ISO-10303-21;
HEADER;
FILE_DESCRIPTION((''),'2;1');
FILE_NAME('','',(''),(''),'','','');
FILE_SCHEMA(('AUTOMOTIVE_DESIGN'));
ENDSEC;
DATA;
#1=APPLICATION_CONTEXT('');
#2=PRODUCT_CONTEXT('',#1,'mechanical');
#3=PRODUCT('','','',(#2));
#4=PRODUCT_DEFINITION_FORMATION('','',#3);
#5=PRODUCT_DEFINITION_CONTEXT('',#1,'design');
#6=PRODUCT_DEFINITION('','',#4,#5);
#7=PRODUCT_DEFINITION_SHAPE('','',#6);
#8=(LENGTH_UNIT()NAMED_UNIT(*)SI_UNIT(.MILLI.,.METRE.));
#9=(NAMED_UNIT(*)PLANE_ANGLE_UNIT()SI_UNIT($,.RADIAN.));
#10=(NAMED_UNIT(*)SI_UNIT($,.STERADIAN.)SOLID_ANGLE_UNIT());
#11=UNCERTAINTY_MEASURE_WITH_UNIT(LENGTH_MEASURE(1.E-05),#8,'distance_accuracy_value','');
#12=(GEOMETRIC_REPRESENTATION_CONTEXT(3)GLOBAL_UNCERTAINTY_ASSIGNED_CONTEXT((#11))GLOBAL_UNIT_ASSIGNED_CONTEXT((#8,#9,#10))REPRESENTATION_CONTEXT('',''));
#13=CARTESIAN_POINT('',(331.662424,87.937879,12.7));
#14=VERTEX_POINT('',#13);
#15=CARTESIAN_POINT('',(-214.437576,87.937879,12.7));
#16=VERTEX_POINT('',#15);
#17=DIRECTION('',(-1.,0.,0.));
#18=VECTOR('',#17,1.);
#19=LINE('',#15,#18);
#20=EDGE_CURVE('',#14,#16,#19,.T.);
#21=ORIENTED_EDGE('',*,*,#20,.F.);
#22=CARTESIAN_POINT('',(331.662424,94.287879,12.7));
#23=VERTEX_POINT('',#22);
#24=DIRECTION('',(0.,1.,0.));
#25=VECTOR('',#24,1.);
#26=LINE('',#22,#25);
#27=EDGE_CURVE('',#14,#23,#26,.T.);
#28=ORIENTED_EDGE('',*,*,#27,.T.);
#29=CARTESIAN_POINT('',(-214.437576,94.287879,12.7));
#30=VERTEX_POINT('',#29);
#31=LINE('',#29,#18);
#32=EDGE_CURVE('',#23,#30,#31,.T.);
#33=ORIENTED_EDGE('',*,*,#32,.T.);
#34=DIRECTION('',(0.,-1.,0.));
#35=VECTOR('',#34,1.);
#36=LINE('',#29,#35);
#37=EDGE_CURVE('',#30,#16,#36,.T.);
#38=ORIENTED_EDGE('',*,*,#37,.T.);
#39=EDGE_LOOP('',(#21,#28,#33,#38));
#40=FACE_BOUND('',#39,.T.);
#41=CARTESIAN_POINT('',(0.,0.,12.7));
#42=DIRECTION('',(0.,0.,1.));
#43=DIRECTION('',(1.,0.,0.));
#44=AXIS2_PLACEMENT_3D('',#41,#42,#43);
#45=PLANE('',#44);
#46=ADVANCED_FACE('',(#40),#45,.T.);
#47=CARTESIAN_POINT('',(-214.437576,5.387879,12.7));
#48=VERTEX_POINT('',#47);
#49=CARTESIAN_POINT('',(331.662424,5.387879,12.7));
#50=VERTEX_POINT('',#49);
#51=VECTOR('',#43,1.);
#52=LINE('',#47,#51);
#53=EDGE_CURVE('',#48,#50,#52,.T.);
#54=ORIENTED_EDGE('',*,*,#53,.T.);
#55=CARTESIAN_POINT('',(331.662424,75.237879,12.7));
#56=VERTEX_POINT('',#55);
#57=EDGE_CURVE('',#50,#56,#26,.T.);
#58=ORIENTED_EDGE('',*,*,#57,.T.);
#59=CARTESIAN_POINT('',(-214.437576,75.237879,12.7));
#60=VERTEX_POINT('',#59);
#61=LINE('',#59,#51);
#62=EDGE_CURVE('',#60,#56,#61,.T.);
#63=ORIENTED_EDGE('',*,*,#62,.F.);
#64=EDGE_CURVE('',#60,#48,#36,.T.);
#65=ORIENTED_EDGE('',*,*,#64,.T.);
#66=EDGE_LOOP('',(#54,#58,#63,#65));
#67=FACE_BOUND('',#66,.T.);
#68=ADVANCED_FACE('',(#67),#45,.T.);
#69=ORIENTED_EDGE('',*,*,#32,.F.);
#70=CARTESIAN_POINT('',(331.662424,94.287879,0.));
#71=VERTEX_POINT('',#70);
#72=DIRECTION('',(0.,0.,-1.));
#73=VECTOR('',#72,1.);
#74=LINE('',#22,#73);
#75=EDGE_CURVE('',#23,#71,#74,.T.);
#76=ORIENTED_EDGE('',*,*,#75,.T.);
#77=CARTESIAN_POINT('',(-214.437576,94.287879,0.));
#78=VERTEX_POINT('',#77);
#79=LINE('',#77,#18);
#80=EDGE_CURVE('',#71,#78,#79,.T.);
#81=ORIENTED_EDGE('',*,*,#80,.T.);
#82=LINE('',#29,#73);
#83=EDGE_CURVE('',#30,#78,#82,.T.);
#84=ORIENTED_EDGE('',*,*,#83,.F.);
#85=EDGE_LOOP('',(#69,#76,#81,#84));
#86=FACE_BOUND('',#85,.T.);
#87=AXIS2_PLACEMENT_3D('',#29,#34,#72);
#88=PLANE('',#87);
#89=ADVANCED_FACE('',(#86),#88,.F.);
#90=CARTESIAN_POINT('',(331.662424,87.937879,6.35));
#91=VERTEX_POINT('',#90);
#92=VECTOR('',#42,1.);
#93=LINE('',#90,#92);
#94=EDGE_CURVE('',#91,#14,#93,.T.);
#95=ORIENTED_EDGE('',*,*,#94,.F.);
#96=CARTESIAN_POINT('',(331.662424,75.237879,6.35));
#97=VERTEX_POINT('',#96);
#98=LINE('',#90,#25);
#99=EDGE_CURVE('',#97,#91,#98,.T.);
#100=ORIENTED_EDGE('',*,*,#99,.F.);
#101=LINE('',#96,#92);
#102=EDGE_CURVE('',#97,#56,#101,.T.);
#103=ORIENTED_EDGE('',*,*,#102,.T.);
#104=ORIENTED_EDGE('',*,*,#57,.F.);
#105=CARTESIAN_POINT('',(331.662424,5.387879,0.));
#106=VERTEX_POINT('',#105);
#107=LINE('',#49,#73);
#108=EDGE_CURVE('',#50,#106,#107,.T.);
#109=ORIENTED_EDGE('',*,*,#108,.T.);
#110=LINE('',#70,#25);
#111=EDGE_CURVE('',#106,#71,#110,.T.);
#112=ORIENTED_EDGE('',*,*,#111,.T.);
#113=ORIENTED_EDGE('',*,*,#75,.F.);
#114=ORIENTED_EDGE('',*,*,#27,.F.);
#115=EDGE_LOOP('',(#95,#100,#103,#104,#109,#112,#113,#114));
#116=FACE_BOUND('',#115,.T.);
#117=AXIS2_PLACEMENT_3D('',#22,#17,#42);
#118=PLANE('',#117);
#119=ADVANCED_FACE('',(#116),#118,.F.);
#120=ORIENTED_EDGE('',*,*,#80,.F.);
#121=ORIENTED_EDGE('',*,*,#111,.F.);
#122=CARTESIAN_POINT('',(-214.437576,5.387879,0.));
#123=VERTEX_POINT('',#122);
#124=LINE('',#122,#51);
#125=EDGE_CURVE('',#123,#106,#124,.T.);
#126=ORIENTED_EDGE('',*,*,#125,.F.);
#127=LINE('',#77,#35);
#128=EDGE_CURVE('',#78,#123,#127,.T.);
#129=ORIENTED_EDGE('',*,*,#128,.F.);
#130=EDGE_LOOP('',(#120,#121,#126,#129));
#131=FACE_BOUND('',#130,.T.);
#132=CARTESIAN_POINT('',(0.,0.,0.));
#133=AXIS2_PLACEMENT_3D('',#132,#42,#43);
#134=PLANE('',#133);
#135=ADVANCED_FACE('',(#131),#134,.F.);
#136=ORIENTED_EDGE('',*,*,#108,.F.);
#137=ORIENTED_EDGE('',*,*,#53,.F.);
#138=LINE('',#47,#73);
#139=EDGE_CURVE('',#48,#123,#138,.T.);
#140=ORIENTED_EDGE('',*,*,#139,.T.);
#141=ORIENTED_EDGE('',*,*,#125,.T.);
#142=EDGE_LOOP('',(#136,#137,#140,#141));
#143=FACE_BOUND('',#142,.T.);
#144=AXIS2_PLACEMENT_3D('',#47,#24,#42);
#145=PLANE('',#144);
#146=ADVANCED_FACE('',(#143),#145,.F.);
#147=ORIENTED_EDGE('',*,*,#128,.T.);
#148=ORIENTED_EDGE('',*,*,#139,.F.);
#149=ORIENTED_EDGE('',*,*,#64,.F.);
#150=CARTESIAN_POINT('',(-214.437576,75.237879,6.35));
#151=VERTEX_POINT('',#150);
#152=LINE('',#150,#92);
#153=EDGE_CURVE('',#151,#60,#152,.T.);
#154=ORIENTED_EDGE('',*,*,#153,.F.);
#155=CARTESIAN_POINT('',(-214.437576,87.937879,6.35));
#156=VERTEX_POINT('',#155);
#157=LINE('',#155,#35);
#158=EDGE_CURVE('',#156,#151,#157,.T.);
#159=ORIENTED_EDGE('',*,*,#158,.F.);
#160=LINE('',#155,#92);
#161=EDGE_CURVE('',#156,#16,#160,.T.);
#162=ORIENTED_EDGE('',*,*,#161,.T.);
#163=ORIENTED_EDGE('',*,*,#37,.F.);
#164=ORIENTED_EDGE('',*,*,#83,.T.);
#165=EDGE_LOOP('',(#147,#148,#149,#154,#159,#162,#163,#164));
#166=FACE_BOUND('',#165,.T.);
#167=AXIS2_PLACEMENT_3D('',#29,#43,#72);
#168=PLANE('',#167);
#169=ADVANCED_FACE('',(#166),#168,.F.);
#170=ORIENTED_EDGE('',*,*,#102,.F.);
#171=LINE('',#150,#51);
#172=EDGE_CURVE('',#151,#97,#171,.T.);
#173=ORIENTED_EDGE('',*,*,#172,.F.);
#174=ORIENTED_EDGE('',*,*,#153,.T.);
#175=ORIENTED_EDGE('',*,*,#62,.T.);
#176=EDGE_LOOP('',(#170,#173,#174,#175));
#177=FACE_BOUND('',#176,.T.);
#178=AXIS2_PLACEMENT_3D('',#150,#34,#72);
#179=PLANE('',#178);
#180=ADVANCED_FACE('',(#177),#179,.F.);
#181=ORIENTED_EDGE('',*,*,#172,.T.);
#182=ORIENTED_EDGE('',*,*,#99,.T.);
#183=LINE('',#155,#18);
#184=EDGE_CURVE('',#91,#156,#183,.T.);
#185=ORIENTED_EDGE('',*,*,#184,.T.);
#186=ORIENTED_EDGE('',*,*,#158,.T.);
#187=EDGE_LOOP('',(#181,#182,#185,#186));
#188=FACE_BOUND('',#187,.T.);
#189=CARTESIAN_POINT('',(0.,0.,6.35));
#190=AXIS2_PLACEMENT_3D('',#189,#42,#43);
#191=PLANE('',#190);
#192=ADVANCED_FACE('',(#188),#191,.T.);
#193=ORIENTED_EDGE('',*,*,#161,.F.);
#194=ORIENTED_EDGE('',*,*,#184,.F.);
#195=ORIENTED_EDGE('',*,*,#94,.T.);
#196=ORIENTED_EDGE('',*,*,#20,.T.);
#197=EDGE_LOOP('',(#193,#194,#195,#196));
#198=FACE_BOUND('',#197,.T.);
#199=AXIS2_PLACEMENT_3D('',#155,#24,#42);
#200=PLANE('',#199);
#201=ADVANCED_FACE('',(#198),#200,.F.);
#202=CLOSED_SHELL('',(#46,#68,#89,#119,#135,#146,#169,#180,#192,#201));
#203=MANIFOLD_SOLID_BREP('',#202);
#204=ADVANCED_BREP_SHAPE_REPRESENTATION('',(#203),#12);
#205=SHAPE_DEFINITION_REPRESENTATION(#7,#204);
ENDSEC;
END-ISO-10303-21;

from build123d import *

# Parameters (mm, degrees)
SKETCH2_W           = 546.1
SKETCH2_H           = 88.9
BOSS_EXTRUDE1_DEPTH = 12.7
SKETCH3_W           = 546.1
SKETCH3_H           = 12.7
CUT_EXTRUDE1_DEPTH  = 6.35


with BuildPart() as part:
    # Sketch2 → Boss-Extrude1 (new body)
    with BuildSketch(Plane.XY):
        with Locations((58.612424242, 49.837878788)):
            Rectangle(SKETCH2_W, SKETCH2_H)
    extrude(amount=BOSS_EXTRUDE1_DEPTH)

    # Sketch3 → Cut-Extrude1 (cut)
    with BuildSketch(Plane.XY.offset(12.7)):
        with Locations((58.612424242, 81.587878788)):
            Rectangle(SKETCH3_W, SKETCH3_H)
    extrude(amount=-CUT_EXTRUDE1_DEPTH, mode=Mode.SUBTRACT)


solid = part.part
